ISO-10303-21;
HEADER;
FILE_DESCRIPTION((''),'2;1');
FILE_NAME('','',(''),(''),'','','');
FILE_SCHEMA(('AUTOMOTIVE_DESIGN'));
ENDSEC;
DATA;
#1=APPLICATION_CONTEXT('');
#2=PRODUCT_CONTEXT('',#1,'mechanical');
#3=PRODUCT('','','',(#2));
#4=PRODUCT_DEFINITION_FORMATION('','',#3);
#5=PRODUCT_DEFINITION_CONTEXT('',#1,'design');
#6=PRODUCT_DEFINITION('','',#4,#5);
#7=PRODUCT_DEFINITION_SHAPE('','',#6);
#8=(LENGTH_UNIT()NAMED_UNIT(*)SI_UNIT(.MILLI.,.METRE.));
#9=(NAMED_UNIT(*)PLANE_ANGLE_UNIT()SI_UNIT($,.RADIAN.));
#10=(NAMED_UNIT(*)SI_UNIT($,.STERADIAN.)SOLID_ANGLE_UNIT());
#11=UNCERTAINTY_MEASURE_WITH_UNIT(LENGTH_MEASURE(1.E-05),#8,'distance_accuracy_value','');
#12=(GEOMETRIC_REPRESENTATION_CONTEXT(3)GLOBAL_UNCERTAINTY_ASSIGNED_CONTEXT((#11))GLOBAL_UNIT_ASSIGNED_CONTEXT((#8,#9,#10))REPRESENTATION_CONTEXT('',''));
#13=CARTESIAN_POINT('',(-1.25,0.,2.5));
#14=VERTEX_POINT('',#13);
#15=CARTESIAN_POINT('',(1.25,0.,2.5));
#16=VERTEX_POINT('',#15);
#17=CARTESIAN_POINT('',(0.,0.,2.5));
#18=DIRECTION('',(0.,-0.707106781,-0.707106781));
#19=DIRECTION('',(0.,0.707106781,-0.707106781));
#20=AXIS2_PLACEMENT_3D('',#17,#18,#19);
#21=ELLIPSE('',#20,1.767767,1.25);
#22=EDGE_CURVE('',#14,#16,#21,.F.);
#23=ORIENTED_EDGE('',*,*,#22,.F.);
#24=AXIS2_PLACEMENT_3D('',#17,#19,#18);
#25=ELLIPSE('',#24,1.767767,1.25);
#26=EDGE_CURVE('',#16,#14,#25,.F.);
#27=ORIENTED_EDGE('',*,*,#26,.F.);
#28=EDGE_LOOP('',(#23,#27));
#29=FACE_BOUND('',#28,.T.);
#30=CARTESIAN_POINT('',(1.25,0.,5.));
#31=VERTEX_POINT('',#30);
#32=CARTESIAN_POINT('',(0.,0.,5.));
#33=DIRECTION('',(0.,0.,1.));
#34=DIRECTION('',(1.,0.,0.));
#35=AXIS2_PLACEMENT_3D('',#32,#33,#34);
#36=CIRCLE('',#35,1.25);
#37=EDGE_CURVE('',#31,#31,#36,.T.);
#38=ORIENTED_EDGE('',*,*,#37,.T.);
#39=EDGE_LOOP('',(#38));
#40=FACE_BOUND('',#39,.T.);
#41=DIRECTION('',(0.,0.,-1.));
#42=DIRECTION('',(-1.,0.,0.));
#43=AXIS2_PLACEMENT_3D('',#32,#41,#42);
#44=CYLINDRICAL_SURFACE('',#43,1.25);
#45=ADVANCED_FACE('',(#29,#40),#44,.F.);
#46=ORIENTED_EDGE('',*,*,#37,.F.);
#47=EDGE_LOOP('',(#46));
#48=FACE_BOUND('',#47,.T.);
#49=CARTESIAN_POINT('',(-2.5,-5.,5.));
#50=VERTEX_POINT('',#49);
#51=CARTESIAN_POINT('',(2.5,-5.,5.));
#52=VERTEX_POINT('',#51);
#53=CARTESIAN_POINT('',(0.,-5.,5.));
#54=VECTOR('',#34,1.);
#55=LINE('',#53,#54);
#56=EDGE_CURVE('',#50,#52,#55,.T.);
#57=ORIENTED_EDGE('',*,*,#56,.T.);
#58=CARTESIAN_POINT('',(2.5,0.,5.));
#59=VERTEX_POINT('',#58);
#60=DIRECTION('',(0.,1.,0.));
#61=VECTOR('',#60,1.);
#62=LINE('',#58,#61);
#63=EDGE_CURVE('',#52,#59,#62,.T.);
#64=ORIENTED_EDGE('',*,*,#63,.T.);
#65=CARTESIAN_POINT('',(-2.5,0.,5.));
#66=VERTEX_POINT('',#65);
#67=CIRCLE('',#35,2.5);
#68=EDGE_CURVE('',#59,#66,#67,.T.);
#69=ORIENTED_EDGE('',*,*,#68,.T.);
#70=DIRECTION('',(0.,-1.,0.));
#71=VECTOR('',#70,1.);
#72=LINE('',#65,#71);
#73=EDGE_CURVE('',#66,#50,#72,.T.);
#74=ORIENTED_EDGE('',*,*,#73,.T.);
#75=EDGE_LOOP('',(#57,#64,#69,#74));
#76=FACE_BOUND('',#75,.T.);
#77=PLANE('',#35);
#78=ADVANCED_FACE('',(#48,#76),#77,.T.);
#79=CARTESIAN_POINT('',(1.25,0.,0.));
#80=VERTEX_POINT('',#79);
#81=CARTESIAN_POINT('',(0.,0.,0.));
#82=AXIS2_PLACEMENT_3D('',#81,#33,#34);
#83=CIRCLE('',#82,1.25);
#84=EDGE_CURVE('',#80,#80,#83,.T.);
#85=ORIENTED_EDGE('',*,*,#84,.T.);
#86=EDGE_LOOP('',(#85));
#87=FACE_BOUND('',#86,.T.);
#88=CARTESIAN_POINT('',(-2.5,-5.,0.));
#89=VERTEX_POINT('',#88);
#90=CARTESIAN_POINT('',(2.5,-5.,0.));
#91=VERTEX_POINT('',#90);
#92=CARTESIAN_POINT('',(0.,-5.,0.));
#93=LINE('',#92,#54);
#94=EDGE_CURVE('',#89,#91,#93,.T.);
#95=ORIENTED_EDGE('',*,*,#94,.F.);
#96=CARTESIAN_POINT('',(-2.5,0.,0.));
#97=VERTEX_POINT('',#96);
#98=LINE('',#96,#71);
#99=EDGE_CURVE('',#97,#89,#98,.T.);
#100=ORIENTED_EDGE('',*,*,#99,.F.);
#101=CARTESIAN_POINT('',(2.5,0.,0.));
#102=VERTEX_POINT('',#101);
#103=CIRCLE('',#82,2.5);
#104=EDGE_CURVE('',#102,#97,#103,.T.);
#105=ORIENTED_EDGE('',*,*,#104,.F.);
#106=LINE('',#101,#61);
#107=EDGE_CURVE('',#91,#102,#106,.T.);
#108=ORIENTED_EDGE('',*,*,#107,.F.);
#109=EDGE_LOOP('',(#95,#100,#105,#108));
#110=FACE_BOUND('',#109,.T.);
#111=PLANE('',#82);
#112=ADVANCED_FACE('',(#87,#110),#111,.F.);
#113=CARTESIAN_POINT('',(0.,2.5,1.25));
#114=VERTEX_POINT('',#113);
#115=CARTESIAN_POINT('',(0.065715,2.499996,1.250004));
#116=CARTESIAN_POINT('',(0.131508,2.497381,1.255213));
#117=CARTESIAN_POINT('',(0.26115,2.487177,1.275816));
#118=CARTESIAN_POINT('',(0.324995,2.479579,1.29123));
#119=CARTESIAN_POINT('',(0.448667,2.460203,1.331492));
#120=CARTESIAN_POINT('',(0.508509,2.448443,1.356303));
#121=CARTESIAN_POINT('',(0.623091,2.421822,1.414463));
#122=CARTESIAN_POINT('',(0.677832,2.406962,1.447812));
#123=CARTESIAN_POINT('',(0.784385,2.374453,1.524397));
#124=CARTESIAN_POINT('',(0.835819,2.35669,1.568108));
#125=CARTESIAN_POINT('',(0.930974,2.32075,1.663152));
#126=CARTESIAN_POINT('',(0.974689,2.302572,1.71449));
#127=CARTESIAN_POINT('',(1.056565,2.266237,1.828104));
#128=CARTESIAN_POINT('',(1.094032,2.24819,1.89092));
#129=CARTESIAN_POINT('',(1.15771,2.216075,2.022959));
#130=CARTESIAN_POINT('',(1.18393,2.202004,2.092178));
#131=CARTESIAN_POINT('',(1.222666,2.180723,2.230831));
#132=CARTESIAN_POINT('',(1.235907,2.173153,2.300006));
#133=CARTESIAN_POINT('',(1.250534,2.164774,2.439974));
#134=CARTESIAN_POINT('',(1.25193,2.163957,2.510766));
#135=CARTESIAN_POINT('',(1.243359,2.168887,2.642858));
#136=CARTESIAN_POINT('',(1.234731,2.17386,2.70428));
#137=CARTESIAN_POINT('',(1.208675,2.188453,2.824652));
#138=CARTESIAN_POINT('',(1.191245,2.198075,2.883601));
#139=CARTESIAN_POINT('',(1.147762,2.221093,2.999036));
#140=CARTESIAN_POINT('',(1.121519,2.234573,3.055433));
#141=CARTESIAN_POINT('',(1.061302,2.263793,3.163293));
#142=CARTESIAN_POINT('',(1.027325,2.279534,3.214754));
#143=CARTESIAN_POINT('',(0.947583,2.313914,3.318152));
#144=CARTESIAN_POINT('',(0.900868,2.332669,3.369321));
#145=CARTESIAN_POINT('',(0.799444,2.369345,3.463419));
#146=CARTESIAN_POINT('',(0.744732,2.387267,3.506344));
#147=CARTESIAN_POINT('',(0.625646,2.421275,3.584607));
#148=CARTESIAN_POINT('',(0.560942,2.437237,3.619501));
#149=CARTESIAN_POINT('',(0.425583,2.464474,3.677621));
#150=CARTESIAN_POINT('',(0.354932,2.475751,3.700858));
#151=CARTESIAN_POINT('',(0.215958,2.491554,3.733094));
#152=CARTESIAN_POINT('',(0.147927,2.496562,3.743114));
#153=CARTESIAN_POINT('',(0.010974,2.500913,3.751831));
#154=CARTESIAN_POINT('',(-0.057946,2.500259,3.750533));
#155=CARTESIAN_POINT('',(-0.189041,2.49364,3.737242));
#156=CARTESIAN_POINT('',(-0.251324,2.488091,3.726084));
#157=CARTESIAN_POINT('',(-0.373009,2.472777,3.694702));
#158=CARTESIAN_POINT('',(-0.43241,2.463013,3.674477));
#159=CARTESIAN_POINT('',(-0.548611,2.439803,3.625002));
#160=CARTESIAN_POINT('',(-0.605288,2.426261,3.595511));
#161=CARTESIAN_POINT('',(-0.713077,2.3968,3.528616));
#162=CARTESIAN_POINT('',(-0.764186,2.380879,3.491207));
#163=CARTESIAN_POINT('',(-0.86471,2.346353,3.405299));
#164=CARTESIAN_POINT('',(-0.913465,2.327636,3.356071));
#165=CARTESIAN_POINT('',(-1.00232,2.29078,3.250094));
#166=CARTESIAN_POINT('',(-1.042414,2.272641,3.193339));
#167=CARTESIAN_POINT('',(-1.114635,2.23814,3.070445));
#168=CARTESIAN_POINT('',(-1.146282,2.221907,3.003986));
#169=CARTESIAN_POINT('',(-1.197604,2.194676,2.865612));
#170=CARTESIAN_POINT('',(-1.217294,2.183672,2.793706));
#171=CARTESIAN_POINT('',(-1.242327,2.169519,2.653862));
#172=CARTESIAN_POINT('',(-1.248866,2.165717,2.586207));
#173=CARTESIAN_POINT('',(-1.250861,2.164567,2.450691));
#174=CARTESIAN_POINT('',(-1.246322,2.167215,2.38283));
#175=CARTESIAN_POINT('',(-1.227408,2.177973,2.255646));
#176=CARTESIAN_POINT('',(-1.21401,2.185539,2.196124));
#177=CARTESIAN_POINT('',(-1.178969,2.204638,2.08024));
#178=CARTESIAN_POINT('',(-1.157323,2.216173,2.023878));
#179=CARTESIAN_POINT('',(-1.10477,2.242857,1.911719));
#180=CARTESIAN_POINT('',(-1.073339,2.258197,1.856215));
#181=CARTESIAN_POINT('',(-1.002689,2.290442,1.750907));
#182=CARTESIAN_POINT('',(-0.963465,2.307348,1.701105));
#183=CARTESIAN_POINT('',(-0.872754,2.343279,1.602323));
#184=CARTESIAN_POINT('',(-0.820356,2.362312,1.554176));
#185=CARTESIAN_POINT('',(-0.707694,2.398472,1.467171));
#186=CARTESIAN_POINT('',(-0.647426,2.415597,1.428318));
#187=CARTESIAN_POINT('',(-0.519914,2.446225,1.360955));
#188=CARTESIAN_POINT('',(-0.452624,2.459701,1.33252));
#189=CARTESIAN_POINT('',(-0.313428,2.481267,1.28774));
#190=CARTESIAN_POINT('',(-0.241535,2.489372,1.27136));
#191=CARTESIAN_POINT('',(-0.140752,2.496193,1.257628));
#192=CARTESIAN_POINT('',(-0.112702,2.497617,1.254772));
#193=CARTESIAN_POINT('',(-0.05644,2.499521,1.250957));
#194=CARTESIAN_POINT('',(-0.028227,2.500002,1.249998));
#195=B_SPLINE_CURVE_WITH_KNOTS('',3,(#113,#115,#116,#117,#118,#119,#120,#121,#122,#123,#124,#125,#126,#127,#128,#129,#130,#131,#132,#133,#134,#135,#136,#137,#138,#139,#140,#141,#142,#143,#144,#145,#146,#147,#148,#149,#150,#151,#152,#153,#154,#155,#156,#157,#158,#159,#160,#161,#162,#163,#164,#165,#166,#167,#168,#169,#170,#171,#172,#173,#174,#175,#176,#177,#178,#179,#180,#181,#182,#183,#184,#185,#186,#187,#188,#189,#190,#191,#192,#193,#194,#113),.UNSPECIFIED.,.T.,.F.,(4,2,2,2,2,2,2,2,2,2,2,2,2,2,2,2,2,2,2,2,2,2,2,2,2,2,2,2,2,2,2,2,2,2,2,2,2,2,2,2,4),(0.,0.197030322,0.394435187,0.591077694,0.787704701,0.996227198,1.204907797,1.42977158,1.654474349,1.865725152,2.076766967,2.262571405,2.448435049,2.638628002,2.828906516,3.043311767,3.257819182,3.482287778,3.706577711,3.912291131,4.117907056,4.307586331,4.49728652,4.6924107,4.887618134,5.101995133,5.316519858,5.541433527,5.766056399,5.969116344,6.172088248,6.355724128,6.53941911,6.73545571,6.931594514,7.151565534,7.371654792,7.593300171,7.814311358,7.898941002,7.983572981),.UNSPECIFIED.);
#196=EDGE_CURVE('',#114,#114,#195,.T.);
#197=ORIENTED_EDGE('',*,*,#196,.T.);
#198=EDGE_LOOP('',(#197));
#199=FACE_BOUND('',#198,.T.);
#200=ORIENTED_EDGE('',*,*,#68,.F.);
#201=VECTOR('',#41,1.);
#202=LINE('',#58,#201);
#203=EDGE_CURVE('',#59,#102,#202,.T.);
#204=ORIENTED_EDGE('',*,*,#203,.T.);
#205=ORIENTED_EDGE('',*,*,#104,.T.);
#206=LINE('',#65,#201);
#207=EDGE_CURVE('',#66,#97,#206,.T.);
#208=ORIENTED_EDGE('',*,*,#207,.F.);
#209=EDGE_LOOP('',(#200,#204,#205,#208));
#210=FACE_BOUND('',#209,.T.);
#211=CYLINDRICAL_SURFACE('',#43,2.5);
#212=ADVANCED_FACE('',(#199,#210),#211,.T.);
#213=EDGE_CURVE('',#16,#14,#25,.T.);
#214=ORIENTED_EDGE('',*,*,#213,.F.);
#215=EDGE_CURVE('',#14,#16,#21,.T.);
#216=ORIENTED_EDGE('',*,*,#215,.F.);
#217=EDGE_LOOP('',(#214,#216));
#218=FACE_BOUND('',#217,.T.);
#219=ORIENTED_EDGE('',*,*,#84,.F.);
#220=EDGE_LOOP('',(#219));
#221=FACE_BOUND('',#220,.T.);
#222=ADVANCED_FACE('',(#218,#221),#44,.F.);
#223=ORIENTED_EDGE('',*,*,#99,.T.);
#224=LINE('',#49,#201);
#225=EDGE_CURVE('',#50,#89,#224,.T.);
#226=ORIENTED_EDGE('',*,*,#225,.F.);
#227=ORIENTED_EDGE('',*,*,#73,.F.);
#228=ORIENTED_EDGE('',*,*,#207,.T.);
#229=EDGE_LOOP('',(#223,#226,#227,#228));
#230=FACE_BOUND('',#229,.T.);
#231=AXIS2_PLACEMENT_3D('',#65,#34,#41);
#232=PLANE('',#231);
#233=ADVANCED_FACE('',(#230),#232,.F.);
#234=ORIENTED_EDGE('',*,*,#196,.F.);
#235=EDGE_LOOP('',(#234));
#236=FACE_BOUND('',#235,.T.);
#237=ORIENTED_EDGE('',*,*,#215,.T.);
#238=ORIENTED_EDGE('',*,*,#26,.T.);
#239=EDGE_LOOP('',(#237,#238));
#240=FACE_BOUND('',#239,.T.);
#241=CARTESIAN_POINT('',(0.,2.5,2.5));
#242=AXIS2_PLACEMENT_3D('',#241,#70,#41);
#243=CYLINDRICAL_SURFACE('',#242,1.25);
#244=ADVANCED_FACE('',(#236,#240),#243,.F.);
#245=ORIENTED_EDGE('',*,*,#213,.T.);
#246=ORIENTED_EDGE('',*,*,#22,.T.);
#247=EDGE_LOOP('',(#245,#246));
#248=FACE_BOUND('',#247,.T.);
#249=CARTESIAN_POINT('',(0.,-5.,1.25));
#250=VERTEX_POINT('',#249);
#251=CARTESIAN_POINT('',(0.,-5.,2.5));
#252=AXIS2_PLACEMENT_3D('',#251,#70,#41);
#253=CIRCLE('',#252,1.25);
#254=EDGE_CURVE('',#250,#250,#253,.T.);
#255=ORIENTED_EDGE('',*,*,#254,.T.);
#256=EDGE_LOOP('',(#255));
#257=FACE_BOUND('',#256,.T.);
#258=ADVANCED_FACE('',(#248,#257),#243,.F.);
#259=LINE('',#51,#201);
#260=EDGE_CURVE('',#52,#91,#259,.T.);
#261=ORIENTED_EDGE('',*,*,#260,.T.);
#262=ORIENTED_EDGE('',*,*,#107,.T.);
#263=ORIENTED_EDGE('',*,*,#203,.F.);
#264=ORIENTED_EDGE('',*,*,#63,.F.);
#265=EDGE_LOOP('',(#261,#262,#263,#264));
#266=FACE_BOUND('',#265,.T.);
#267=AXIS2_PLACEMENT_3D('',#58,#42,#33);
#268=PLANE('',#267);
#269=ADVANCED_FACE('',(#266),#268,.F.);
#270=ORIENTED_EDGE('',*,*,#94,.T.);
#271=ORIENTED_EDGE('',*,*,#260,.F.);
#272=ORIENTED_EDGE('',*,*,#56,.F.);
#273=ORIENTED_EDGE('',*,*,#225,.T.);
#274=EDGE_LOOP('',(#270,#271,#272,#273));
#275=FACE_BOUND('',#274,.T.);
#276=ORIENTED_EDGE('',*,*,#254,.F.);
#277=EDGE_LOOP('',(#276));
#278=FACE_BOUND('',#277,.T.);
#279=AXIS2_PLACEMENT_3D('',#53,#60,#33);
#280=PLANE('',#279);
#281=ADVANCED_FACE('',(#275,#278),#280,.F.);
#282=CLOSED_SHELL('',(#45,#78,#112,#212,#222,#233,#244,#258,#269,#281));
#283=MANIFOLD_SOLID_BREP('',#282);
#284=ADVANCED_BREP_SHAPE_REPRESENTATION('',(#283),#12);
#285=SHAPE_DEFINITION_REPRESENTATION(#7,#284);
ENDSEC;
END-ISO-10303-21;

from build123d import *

# Parameters (mm, degrees)
SKETCH1_R           = 2.5
SKETCH1_R_2         = 1.25
BOSS_EXTRUDE1_DEPTH = 5
SKETCH2_R           = 1.25
CUT_EXTRUDE1_DEPTH  = 10.354143467


with BuildPart() as part:
    # Sketch1 → Boss-Extrude1 (new body)
    # profile 1 of 2: a face of its own
    with BuildSketch(Plane.XY):
        with BuildLine():
            ThreePointArc((2.5, 0), (0, -2.5), (-2.5, 0))
            Line((-2.5, 0), (-2.5, -5))
            Line((-2.5, -5), (2.5, -5))
            Line((2.5, -5), (2.5, 0))
        make_face()
    # profile 2 of 2: a face of its own
    with BuildSketch(Plane.XY):
        Circle(SKETCH1_R)
        Circle(SKETCH1_R_2, mode=Mode.SUBTRACT)
    extrude(amount=BOSS_EXTRUDE1_DEPTH)

    # Sketch2 → Cut-Extrude1 (cut, through all)
    with BuildSketch(Plane.XZ.offset(5)):
        with Locations(Location((0, 2.5, 0), (0, 0, 270))):
            Circle(SKETCH2_R)
    extrude(amount=-CUT_EXTRUDE1_DEPTH, mode=Mode.SUBTRACT)


solid = part.part
